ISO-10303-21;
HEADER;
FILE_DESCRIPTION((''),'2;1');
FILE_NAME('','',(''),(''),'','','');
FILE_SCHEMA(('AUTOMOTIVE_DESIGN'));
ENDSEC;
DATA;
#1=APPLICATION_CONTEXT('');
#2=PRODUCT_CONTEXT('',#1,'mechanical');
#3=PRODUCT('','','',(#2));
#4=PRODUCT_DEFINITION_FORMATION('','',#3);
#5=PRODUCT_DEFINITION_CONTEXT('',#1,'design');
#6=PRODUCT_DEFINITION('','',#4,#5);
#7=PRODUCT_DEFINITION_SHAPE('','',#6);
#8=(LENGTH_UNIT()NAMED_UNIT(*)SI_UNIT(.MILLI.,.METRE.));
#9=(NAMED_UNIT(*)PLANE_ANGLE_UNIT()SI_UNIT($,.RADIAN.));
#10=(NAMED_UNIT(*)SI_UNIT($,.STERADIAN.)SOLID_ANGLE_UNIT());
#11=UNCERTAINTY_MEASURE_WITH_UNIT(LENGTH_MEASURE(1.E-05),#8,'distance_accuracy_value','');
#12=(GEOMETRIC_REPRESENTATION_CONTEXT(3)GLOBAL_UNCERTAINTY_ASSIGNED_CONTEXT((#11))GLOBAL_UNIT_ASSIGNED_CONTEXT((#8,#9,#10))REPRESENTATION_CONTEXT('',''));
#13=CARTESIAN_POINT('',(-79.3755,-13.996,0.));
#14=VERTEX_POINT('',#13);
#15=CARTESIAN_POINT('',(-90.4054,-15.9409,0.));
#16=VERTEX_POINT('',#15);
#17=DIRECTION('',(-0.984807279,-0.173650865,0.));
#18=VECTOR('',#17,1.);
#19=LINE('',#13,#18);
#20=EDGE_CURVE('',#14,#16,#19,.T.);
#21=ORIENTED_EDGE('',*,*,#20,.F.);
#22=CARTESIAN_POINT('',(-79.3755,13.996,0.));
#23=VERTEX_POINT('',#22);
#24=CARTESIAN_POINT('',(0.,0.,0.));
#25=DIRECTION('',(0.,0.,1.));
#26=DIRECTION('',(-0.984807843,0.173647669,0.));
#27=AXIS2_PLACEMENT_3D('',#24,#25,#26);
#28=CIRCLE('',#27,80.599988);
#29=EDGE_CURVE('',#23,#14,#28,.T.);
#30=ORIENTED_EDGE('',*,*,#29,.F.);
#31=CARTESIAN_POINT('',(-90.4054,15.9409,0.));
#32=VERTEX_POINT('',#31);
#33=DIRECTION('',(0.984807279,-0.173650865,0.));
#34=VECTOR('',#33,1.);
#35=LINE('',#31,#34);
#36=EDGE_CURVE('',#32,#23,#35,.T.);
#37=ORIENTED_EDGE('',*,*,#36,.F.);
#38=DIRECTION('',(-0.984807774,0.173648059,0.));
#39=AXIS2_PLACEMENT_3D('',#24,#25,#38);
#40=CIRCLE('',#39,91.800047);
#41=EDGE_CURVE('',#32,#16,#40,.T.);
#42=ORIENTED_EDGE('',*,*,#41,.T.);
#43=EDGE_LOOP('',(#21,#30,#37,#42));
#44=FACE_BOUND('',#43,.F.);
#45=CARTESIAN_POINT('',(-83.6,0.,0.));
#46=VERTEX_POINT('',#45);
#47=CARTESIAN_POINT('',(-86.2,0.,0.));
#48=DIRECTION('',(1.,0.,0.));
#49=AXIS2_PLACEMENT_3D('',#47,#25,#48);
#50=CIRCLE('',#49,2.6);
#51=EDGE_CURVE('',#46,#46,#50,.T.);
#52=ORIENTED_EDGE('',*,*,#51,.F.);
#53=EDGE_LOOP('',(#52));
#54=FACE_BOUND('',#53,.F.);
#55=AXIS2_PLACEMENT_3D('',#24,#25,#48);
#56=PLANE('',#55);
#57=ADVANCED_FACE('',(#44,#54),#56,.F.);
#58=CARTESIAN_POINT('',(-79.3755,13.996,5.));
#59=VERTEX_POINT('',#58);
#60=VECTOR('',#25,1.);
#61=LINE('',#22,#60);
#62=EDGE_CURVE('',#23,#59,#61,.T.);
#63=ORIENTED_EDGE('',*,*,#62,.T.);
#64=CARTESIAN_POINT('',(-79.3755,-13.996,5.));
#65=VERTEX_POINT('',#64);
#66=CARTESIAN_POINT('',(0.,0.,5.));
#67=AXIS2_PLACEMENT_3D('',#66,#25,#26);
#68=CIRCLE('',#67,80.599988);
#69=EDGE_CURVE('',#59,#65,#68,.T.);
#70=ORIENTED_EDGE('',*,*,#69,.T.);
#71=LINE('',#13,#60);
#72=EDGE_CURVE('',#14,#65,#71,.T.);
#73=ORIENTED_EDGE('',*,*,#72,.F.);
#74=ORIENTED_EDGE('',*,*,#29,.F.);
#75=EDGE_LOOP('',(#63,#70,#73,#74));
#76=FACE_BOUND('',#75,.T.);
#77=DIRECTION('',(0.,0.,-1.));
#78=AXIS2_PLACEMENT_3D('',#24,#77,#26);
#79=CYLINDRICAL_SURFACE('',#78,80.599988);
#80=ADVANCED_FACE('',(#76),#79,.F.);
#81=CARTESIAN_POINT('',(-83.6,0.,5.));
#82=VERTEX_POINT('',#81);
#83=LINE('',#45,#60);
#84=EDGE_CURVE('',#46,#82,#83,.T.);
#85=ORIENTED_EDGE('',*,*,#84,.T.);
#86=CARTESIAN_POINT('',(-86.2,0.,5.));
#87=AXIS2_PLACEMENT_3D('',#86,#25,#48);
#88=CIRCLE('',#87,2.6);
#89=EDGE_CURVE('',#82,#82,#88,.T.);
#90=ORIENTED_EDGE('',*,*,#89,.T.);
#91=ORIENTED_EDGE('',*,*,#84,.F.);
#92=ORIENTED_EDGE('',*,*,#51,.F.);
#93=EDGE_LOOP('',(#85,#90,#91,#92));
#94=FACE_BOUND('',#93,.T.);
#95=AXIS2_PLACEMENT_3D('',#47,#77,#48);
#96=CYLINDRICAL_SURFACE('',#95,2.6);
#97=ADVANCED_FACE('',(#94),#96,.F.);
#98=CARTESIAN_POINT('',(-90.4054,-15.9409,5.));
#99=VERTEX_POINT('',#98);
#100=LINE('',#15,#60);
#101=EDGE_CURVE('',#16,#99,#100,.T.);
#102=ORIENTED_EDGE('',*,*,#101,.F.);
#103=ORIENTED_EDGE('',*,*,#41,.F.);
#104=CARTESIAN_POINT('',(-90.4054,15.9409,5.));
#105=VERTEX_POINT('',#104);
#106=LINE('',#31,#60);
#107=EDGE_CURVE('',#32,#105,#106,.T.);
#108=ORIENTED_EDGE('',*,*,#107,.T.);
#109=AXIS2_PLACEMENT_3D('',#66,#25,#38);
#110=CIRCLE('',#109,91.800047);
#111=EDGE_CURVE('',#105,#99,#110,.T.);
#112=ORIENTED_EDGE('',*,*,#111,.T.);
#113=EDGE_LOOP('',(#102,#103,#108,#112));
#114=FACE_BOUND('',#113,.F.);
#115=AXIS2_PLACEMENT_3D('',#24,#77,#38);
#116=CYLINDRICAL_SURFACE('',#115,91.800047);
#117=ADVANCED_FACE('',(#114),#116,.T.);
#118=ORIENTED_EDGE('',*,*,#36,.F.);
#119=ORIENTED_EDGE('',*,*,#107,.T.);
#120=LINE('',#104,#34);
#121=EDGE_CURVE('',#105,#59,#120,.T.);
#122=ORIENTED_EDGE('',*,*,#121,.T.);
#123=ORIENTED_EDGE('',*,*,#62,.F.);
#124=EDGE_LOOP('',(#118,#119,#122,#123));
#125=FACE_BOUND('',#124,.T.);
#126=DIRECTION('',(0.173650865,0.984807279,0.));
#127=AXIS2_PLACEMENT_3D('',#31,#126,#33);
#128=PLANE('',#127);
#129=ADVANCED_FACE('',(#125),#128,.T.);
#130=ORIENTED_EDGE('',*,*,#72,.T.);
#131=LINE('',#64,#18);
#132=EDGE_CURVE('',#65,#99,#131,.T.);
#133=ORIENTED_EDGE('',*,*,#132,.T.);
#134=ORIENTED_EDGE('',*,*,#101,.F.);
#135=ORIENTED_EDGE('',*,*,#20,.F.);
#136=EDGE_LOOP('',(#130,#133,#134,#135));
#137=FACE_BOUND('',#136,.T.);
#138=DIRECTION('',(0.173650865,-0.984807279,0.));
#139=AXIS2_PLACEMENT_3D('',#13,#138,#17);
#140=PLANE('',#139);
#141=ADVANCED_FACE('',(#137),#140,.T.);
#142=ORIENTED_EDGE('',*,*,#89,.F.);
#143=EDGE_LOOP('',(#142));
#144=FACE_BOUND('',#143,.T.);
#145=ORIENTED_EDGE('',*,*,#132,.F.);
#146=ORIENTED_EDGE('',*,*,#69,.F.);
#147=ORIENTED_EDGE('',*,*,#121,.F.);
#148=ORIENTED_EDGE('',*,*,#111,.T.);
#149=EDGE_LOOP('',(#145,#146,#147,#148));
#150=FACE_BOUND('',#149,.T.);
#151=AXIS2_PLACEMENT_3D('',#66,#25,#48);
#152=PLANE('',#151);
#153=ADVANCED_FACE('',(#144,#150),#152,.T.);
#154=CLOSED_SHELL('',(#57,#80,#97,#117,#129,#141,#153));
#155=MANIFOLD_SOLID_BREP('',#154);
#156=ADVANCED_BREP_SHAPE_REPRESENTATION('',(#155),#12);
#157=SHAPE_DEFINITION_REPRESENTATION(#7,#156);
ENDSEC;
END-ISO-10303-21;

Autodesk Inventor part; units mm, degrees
ref_plane "YZ Plane" through (0, 0, 0) normal (1, 0, 0) x (0, 1, 0)
ref_plane "XZ Plane" through (0, 0, 0) normal (0, 1, 0) x (-1, 0, 0)
ref_plane "XY Plane" through (0, 0, 0) normal (0, 0, 1) x (1, 0, 0)
ref_plane "Arbeitsebene1" through (0, 0, 0) normal (0, 0, 1) x (1, 0, 0)
sketch "Skizze1" plane through (0, 0, 0) normal (0, 0, 1) x (1, 0, 0)
  circle A0 centre (86.2, 0) radius 2.6 construction
  circle A1 centre (-86.2, 0) radius 2.6 construction
  circle A2 centre (0, 0) radius 91.8 construction
  arc A3 (5.5, 85.9242) -> (-5.5, 85.9242) centre (0, 0) ccw construction
  line L0 (5.5, 85.9242) -> (5.5, 80.4121) construction
  arc A4 (-5.5, 80.4121) -> (5.5, 80.4121) centre (0, 0) ccw construction
  line L1 (-5.5, 80.4121) -> (-5.5, 85.9242) construction
  arc A5 (-90.4054, 15.9409) -> (-90.4054, -15.9409) centre (0, 0) ccw
  arc A6 (-79.3755, 13.996) -> (-79.3755, -13.996) centre (0, 0) ccw
  line L2 (-90.4054, 15.9409) -> (0, 0) construction
  line L3 (0, 0) -> (-90.4054, -15.9409) construction
  line L4 (-90.4054, 15.9409) -> (-79.3755, 13.996)
  line L5 (-79.3755, -13.996) -> (-90.4054, -15.9409)
  line L6 (0, 0) -> (-86.2, 0) construction
  circle A7 centre (-86.2, 0) radius 2.6
  dimension "d0" = 10
  dimension "d1" = 10
extrude "Extrusion1" add sketch "Skizze1" along normal blind 5
properties part number "Montage_Ring_Vorne_Aufdickung_Gewinde"
